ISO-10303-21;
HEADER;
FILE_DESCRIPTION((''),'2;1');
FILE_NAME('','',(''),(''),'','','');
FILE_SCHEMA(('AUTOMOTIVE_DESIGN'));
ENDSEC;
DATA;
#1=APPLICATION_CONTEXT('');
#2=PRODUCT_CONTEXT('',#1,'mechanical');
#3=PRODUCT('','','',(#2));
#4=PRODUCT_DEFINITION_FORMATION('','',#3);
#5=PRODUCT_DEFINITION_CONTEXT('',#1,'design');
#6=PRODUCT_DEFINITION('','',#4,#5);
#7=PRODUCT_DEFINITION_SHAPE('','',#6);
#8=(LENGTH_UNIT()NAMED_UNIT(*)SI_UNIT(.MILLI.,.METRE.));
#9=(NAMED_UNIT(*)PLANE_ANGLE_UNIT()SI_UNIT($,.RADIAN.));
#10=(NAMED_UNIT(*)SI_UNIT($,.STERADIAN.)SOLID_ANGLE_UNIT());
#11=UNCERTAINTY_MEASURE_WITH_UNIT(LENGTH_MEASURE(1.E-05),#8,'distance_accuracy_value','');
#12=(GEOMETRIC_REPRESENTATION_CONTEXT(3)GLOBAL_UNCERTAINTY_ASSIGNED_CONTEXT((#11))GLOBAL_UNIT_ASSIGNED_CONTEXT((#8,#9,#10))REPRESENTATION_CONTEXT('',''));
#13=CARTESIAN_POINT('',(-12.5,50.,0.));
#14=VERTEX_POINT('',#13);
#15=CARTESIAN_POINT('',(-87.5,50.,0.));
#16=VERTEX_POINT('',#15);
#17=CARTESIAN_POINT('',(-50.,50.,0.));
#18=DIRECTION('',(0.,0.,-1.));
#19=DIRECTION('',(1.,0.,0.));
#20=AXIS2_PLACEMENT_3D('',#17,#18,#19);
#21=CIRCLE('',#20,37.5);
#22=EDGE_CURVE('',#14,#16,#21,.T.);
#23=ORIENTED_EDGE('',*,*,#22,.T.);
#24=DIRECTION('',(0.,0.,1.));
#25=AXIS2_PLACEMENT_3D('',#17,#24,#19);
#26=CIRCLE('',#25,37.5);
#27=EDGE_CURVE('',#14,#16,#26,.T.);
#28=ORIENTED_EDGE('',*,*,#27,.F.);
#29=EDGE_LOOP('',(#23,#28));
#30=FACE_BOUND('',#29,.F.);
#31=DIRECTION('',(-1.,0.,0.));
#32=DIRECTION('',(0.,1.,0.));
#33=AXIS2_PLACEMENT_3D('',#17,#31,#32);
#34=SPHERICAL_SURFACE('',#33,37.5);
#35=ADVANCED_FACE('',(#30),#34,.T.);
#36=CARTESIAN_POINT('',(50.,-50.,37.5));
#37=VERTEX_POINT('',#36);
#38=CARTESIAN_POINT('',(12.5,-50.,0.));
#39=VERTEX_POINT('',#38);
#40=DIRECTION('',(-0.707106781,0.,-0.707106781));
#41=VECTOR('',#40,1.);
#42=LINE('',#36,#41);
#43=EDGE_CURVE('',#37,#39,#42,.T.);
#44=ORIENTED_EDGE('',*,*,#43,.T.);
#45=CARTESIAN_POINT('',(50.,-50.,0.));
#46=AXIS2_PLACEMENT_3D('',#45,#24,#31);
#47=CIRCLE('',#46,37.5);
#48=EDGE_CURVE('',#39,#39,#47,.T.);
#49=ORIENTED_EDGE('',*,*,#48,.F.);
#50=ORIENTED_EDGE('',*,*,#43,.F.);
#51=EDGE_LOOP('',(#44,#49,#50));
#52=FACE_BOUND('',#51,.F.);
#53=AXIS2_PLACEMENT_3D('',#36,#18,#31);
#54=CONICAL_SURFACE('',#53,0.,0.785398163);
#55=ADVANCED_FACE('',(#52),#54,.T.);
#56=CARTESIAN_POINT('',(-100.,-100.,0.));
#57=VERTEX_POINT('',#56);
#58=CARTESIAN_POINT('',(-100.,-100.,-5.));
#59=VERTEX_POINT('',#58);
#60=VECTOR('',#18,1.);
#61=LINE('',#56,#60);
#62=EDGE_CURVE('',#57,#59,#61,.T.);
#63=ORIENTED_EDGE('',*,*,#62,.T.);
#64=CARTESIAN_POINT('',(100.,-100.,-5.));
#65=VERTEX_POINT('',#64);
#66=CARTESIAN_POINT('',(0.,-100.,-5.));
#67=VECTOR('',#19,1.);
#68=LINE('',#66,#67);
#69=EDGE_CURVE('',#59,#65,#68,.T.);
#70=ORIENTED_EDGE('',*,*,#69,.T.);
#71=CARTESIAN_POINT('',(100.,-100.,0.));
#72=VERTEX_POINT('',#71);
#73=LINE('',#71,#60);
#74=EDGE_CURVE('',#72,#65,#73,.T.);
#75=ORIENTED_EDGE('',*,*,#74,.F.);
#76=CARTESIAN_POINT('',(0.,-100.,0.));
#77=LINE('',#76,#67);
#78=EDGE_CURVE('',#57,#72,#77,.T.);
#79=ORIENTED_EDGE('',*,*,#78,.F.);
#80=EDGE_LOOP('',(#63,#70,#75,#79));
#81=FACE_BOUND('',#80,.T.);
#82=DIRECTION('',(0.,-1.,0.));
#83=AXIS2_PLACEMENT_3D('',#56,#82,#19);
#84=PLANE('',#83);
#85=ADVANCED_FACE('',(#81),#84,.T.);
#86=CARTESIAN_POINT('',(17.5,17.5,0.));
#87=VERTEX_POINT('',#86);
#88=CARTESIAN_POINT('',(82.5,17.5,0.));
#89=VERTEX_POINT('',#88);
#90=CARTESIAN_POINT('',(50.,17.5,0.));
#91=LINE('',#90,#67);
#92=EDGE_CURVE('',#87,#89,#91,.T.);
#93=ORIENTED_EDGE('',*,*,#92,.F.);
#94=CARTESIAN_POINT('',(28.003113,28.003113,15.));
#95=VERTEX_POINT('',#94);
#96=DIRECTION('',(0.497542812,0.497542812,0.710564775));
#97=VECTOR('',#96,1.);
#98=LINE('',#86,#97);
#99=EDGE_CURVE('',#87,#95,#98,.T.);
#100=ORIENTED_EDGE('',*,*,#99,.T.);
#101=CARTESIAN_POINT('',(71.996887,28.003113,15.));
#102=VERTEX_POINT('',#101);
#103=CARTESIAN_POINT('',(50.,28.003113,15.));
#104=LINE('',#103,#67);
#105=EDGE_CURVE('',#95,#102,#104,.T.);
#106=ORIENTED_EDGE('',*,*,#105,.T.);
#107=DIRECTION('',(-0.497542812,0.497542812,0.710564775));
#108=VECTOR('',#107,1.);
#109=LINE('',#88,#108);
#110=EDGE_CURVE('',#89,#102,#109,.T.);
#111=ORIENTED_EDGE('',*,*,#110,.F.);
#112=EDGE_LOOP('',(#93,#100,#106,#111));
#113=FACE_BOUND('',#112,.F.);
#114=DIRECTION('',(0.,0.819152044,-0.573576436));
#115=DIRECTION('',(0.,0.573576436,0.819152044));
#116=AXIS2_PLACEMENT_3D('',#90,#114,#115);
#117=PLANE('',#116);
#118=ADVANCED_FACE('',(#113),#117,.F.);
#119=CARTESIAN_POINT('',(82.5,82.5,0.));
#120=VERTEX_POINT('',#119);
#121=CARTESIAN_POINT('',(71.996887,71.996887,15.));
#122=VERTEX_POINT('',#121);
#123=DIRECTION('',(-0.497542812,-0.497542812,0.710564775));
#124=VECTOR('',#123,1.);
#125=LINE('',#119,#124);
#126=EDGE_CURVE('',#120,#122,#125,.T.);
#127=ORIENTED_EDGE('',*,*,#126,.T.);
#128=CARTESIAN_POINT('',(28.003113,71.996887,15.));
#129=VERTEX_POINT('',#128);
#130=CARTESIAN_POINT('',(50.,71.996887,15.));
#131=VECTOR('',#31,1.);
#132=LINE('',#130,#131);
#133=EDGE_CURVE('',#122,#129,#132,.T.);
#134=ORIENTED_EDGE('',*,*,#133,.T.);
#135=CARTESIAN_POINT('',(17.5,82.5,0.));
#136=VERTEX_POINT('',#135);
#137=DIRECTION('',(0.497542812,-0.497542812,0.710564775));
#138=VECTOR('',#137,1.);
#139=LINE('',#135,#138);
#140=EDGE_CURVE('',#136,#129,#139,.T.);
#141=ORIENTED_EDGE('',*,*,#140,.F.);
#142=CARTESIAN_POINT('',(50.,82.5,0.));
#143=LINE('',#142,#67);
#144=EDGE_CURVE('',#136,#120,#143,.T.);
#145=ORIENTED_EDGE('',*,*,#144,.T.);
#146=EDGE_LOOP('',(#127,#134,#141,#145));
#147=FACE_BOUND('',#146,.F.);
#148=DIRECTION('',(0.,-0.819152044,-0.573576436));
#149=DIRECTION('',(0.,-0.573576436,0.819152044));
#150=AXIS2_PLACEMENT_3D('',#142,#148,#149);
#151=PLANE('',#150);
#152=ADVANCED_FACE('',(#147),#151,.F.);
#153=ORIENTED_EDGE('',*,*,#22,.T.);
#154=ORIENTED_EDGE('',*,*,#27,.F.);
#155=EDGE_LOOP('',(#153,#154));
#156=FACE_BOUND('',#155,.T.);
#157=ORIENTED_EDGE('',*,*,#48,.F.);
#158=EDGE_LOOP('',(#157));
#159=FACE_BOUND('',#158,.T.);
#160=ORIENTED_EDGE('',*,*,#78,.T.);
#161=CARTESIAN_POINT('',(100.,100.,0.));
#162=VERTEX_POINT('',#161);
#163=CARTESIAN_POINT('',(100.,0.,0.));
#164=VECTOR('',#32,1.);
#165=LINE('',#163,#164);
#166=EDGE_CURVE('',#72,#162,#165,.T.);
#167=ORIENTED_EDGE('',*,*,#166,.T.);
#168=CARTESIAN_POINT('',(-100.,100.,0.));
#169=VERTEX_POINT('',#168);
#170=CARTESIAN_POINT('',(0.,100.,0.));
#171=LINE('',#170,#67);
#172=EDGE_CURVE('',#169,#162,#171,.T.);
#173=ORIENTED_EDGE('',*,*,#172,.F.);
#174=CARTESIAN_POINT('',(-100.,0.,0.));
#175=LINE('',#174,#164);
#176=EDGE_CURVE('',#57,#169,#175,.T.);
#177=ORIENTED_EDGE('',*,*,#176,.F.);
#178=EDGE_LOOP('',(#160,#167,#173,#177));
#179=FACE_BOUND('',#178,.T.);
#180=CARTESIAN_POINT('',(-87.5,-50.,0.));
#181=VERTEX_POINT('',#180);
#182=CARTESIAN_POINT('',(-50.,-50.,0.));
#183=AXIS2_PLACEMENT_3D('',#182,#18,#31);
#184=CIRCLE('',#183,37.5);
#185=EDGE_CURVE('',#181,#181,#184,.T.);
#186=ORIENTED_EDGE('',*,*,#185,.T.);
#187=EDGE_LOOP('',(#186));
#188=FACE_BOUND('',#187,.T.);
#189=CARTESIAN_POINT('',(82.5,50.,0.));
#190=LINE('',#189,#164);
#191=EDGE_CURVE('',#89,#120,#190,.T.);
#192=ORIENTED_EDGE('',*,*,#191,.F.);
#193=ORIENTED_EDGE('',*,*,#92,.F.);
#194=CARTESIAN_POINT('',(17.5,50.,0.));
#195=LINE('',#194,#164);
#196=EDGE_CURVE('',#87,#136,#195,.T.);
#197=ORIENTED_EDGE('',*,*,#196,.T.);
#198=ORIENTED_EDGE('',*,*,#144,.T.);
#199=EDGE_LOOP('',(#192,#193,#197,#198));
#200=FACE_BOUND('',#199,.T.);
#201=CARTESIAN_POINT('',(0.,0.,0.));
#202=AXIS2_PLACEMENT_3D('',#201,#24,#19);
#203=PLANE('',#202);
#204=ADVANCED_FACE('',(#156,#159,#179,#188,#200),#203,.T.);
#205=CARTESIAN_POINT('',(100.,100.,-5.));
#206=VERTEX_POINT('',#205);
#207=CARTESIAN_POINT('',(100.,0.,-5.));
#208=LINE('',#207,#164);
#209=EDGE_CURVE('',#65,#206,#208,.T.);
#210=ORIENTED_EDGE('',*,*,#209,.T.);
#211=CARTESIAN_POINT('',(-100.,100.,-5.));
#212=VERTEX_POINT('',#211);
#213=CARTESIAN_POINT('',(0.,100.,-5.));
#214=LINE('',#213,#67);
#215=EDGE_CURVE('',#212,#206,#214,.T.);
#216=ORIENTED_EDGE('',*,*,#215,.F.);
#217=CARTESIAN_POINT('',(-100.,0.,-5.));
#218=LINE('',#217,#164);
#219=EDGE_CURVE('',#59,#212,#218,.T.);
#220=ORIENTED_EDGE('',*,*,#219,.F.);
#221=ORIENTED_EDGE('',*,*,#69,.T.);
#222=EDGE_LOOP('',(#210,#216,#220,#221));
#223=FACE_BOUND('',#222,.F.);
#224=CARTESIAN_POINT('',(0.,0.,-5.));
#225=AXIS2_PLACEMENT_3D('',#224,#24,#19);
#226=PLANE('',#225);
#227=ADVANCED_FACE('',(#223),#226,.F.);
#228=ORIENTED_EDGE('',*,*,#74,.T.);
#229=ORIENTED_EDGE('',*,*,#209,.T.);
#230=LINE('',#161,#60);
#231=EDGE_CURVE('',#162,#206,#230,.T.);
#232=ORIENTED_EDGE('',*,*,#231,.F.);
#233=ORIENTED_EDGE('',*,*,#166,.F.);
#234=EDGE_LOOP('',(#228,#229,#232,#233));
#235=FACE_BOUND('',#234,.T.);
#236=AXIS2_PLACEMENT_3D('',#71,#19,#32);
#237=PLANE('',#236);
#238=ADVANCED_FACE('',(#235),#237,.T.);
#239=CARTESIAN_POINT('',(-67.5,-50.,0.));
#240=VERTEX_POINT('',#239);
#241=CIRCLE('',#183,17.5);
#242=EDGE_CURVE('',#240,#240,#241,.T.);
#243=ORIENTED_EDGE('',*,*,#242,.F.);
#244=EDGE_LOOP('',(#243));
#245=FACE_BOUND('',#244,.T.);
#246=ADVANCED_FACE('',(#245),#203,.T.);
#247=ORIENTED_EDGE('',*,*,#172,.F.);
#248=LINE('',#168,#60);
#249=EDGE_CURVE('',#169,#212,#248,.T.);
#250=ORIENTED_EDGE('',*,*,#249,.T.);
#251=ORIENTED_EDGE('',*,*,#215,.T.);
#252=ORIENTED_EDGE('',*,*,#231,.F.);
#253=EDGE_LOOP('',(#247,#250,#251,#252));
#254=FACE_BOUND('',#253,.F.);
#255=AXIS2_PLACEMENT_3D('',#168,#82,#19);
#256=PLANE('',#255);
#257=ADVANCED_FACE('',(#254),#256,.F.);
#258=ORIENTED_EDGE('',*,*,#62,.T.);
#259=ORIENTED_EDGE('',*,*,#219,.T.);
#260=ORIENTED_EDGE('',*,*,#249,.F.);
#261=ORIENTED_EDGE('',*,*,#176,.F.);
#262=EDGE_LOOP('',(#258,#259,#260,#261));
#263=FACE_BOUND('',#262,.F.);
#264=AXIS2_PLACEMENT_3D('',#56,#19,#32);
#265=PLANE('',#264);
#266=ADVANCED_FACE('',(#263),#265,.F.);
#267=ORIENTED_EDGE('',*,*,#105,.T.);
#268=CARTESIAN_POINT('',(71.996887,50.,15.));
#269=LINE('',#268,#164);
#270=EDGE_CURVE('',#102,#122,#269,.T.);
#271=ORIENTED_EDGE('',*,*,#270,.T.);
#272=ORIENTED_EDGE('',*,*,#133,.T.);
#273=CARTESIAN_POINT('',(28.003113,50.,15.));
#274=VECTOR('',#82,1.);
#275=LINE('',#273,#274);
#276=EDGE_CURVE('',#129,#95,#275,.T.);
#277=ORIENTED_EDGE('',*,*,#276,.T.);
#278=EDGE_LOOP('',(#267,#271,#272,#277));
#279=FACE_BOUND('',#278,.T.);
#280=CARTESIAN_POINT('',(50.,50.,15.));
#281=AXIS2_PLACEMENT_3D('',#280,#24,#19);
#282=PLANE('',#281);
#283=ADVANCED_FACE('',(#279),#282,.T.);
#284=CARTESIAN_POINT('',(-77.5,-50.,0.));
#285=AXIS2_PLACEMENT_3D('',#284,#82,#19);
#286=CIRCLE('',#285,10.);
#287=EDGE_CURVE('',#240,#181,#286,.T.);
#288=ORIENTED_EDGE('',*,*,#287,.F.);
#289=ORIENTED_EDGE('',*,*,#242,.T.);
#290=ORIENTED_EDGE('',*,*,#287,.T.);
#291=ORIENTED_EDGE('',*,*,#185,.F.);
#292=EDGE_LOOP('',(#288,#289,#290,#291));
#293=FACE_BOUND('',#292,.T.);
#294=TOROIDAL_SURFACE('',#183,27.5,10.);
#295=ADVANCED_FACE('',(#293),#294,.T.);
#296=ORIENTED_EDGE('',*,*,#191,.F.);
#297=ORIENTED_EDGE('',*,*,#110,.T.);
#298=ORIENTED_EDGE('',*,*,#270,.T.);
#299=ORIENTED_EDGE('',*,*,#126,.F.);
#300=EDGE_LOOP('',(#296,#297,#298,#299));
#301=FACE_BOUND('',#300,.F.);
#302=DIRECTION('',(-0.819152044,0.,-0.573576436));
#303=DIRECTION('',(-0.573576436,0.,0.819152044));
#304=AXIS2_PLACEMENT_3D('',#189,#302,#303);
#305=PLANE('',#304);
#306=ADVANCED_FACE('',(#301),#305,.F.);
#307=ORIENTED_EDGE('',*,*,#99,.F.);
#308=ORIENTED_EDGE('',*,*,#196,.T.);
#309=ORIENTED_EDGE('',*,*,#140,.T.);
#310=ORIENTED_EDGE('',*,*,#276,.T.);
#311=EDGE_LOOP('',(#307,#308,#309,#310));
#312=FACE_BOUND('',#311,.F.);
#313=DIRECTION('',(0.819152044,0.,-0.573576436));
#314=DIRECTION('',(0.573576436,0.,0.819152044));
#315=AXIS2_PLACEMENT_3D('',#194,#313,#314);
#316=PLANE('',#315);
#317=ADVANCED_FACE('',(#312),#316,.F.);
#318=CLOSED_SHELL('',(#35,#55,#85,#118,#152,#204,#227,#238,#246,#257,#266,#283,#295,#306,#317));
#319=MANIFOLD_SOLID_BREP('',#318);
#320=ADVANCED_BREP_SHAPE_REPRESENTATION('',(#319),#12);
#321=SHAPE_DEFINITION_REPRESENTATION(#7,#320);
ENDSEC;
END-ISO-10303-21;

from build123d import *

# Parameters (mm, degrees)
F0_W     = 200
F0_H     = 200
F1_DEPTH = 5
F3_ANGLE = 180
F4_W     = 65
F4_H     = 65
F5_DEPTH = 15
F5_TAPER = 35


with BuildPart() as f1:
    # F0 (on Top) → F1 (new body)
    with BuildSketch(Plane.XY):
        Rectangle(F0_W, F0_H)
    extrude(amount=-F1_DEPTH)

    # F2 (on Top) → F3 (revolve)
    with BuildSketch(Plane.XY):
        with BuildLine():
            Line((-87.5, 50), (-12.5, 50))
            ThreePointArc((-12.5, 50), (-50, 87.5), (-87.5, 50))
        make_face()
    revolve(axis=Axis((-50, 50, 0), (1, 0, 0)), revolution_arc=F3_ANGLE)

    # F4 (on Top) → F5 (join)
    with BuildSketch(Plane.XY):
        with Locations((50, 50)):
            Rectangle(F4_W, F4_H)
    extrude(amount=F5_DEPTH, taper=F5_TAPER)

    # F7 (on plane+point) → F8 (revolve)
    with BuildSketch(Plane.XZ.offset(50)):
        with BuildLine():
            Line((-87.5, 0), (-67.5, 0))
            ThreePointArc((-67.5, 0), (-77.5, 10), (-87.5, 0))
        make_face()
    revolve(axis=Axis((-50, -50, -2.7900552377), (0, 0, -1)))

    # F9 (on plane+point) → F10 (revolve)
    with BuildSketch(Plane.XZ.offset(50)):
        Polygon((50, 37.5), (12.5, 0), (50, 0), align=None)
    revolve(axis=Axis((50, -50, 18.75), (0, 0, 1)))


solid = f1.part
